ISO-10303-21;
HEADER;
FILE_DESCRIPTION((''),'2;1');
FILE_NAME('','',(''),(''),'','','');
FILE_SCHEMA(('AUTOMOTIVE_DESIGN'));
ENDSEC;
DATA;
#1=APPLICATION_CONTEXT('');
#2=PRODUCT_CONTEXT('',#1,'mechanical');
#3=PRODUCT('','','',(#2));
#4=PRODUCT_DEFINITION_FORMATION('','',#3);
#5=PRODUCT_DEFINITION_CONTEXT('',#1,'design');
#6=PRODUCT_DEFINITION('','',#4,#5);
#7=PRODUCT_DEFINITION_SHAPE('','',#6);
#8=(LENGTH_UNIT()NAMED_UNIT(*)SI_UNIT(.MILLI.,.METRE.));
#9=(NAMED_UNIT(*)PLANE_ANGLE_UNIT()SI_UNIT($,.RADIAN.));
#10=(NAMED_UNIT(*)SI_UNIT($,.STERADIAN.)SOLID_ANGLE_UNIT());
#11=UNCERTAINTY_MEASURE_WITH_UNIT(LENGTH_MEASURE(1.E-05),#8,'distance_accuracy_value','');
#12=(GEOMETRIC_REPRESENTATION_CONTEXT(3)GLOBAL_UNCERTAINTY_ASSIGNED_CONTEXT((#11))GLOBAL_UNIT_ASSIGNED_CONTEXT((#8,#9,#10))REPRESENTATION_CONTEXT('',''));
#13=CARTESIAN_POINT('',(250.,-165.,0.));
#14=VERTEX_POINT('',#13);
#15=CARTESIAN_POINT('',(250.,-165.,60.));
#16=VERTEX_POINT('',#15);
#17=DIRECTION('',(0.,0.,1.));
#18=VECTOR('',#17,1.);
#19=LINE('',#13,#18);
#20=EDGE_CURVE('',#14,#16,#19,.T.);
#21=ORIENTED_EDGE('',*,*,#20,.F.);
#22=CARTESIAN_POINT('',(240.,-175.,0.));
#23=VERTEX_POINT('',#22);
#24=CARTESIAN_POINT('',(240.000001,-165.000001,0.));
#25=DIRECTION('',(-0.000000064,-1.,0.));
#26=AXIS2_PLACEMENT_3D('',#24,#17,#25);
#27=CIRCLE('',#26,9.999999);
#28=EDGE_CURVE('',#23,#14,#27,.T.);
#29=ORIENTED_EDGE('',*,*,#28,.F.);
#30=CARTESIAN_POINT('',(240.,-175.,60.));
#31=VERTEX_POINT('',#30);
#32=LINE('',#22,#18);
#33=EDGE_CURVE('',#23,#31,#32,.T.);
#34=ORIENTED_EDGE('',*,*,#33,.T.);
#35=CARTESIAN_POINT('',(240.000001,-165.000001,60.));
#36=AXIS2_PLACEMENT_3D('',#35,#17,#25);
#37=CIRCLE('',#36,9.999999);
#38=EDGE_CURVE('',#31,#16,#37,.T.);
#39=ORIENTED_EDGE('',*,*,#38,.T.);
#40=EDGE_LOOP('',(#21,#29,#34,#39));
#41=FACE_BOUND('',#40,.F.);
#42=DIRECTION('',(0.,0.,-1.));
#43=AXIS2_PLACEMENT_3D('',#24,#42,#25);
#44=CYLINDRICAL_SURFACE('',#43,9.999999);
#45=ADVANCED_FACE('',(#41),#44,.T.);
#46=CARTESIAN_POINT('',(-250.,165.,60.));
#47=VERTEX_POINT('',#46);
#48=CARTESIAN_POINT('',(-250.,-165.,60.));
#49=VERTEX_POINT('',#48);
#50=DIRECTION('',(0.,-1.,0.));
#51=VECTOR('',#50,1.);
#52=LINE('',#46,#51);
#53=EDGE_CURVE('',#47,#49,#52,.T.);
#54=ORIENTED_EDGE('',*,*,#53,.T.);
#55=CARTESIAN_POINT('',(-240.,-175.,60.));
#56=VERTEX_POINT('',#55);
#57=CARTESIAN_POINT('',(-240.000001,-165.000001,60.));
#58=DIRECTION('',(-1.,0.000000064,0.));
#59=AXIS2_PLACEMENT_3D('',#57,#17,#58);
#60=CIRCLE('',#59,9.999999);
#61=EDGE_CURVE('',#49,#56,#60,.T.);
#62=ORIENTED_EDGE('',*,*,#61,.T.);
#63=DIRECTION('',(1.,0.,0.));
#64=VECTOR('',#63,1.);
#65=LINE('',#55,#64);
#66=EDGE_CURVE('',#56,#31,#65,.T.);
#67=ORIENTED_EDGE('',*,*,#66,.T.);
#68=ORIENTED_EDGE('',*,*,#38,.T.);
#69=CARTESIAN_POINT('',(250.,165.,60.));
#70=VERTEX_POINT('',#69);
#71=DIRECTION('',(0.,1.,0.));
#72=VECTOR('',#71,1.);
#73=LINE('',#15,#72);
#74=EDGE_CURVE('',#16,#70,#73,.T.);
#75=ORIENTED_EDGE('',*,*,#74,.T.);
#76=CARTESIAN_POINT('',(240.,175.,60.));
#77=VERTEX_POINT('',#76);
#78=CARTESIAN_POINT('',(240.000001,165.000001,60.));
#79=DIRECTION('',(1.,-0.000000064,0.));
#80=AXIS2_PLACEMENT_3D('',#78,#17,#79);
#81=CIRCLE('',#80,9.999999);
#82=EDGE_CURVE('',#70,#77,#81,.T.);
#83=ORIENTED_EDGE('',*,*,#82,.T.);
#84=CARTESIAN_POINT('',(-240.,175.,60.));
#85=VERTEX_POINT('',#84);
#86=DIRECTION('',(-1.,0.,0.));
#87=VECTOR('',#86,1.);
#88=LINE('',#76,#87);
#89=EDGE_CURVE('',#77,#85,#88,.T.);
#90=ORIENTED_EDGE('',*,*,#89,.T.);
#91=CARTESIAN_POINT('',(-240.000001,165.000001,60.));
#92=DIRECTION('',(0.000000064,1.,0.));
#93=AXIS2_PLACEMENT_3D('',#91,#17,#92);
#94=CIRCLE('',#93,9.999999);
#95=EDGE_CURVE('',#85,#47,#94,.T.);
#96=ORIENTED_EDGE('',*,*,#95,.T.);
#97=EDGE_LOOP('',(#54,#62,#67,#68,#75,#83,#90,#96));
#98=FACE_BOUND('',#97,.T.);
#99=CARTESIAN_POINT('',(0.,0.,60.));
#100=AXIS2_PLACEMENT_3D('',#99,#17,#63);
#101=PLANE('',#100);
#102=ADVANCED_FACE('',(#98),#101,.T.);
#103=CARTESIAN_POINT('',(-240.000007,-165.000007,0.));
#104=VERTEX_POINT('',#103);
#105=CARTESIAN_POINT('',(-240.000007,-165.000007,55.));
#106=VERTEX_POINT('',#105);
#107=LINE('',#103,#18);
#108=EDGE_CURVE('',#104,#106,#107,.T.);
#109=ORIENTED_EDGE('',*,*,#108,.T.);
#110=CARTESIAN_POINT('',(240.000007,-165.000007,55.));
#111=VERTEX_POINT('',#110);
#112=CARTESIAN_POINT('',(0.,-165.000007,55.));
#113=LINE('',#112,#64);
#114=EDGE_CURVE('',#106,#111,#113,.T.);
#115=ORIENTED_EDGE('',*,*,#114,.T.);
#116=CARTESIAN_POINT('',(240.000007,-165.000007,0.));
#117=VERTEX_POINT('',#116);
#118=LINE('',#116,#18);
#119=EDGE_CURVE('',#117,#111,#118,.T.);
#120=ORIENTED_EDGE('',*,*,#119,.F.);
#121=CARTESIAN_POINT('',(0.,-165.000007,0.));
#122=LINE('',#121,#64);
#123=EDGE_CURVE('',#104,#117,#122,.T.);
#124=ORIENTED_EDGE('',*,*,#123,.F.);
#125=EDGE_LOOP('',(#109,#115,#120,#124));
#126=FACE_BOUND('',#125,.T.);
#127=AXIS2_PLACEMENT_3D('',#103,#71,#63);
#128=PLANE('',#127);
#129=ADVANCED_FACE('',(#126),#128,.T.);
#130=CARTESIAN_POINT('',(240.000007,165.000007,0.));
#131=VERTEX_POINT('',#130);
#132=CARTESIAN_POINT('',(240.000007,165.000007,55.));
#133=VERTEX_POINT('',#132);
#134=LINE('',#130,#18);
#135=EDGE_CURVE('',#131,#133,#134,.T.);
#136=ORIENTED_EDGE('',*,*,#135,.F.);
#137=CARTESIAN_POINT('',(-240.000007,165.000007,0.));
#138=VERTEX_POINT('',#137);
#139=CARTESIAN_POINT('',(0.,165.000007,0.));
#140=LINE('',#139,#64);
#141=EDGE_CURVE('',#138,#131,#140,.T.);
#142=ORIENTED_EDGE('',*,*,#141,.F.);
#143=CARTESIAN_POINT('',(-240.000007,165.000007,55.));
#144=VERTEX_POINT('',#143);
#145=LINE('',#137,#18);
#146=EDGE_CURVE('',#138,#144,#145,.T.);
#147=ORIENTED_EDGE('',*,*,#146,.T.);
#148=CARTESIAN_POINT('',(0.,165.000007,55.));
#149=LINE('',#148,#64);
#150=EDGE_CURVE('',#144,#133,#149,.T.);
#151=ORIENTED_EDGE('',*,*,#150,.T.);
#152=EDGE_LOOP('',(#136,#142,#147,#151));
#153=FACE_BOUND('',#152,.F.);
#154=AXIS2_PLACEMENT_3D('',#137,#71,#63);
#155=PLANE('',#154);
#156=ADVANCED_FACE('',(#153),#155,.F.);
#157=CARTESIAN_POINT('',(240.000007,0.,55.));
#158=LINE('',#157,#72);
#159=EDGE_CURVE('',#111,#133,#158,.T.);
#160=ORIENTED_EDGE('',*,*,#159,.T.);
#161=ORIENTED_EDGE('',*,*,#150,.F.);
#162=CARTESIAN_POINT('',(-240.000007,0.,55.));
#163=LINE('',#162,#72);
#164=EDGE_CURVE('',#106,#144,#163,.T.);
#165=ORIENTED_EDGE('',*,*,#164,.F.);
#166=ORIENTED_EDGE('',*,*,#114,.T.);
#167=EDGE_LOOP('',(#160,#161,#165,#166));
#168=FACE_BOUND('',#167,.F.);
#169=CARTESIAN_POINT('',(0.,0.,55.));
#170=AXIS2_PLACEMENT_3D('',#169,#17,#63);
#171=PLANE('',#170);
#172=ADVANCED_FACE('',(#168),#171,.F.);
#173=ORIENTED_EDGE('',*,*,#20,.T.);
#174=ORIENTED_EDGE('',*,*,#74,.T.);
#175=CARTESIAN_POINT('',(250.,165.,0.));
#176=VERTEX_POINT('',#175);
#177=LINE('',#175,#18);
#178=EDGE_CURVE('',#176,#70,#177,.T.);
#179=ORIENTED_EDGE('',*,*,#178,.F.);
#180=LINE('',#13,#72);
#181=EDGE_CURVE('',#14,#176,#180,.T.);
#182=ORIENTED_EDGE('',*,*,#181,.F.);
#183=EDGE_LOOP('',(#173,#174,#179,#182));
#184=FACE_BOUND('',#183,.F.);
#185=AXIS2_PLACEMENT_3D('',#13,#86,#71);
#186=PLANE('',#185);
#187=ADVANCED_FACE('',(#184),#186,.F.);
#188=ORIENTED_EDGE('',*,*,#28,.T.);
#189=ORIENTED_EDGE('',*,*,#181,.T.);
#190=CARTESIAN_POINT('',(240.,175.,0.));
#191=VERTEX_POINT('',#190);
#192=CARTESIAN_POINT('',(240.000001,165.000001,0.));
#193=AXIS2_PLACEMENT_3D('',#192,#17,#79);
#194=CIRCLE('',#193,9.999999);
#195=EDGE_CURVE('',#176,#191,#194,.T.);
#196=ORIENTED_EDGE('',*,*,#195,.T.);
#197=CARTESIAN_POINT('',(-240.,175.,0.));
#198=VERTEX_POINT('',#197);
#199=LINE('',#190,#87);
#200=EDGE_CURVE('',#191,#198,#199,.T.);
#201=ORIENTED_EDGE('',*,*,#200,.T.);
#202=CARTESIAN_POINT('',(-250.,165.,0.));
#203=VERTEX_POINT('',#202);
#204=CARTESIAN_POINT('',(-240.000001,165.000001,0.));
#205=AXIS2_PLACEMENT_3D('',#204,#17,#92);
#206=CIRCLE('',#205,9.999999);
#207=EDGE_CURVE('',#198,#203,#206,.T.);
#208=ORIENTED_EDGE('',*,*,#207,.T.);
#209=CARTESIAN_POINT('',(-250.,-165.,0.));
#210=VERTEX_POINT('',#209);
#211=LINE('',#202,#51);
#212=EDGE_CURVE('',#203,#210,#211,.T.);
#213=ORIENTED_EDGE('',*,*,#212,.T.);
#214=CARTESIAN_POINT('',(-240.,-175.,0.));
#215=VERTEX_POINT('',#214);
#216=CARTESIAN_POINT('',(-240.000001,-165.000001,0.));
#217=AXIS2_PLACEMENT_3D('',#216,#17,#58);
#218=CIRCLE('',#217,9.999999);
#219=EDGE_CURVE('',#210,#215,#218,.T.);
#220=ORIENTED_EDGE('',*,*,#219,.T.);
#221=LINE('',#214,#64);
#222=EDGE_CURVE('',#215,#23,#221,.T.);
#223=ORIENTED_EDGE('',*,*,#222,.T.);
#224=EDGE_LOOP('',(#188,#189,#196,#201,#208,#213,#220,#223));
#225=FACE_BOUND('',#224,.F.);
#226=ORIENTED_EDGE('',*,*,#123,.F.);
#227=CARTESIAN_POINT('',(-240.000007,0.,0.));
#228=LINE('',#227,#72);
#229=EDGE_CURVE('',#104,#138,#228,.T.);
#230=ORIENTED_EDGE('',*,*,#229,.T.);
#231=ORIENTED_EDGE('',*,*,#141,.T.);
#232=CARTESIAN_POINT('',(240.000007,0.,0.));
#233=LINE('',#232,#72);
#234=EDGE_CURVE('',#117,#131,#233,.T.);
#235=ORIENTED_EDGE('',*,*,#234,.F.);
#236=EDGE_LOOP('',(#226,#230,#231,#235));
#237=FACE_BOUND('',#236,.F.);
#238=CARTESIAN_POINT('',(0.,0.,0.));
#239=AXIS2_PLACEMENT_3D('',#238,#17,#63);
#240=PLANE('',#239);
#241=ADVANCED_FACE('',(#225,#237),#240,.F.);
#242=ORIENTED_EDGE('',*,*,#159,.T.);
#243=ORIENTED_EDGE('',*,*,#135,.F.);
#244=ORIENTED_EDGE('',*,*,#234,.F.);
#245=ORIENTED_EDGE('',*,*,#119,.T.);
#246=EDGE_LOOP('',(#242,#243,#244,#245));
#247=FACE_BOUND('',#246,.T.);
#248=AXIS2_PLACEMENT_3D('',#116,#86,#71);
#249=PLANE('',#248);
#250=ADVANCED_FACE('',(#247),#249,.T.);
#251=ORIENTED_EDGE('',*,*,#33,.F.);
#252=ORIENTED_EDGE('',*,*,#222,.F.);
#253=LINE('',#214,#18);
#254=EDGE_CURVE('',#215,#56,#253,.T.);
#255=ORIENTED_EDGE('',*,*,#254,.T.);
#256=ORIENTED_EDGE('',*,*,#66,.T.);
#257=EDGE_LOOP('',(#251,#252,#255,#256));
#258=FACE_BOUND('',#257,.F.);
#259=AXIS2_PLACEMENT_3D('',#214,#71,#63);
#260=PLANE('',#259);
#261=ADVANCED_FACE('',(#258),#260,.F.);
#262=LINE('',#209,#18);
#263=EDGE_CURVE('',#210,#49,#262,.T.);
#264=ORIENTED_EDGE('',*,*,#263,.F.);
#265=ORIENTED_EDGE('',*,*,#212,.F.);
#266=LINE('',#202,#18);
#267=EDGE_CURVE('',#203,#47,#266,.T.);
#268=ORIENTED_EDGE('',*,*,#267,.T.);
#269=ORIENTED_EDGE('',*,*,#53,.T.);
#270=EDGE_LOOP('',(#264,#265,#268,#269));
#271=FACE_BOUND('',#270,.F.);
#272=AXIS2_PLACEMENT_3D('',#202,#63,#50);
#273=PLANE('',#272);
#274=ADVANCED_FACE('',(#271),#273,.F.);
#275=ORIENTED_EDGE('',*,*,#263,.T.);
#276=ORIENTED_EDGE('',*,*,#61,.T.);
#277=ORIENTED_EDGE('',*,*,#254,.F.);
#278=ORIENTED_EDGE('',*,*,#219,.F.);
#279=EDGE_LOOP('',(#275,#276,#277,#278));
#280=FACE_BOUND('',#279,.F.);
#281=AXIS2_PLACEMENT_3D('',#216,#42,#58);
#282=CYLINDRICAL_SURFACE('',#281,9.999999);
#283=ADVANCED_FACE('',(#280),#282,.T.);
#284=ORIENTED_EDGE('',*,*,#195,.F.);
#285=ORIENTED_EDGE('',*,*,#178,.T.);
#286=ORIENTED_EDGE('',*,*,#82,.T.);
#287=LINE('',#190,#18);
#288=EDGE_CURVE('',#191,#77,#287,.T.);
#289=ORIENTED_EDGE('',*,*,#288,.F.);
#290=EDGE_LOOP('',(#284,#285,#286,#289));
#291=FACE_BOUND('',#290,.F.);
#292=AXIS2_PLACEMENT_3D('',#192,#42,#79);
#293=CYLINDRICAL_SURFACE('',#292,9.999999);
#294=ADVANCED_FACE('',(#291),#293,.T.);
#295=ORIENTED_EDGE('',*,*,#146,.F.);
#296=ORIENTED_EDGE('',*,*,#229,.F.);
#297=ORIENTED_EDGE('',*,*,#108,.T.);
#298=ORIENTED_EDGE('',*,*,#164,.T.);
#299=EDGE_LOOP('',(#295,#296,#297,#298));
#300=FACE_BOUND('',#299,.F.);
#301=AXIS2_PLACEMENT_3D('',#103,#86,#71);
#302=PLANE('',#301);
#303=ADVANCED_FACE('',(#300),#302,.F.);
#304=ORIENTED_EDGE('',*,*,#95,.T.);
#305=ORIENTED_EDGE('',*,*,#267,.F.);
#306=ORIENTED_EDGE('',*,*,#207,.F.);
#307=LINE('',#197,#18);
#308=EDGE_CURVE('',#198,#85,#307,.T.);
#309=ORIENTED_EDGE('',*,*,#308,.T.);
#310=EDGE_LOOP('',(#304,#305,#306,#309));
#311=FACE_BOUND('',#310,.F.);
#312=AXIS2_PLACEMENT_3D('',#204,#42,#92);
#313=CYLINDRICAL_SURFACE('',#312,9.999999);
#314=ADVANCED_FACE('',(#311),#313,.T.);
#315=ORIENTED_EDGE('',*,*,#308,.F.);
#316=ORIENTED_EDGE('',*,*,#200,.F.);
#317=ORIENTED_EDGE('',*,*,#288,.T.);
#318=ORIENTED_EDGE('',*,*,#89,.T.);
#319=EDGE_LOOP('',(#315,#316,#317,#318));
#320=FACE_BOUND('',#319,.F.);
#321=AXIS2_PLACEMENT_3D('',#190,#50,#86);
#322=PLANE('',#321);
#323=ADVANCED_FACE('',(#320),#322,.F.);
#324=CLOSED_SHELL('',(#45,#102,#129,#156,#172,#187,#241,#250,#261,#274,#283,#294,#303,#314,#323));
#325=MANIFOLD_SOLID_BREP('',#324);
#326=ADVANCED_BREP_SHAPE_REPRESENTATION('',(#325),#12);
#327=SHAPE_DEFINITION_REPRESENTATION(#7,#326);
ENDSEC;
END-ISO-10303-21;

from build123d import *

# Parameters (mm, degrees)
F1_DEPTH = 60
F2_W     = 480.000014
F2_H     = 330.000014
F3_DEPTH = 55


with BuildPart() as f1:
    # F0 (on Top) → F1 (new body)
    with BuildSketch(Plane.XY):
        with BuildLine():
            ThreePointArc((250, 165), (247.071068, 172.071068), (240, 175))
            Line((240, 175), (-240, 175))
            ThreePointArc((-240, 175), (-247.071068, 172.071068), (-250, 165))
            Line((-250, 165), (-250, -165))
            ThreePointArc((-250, -165), (-247.071068, -172.071068), (-240, -175))
            Line((-240, -175), (240, -175))
            ThreePointArc((240, -175), (247.071068, -172.071068), (250, -165))
            Line((250, -165), (250, 165))
        make_face()
    extrude(amount=F1_DEPTH)

    # F2 (on face) → F3 (cut)
    with BuildSketch(Plane.XY):
        Rectangle(F2_W, F2_H)
    extrude(amount=F3_DEPTH, mode=Mode.SUBTRACT)


solid = f1.part
